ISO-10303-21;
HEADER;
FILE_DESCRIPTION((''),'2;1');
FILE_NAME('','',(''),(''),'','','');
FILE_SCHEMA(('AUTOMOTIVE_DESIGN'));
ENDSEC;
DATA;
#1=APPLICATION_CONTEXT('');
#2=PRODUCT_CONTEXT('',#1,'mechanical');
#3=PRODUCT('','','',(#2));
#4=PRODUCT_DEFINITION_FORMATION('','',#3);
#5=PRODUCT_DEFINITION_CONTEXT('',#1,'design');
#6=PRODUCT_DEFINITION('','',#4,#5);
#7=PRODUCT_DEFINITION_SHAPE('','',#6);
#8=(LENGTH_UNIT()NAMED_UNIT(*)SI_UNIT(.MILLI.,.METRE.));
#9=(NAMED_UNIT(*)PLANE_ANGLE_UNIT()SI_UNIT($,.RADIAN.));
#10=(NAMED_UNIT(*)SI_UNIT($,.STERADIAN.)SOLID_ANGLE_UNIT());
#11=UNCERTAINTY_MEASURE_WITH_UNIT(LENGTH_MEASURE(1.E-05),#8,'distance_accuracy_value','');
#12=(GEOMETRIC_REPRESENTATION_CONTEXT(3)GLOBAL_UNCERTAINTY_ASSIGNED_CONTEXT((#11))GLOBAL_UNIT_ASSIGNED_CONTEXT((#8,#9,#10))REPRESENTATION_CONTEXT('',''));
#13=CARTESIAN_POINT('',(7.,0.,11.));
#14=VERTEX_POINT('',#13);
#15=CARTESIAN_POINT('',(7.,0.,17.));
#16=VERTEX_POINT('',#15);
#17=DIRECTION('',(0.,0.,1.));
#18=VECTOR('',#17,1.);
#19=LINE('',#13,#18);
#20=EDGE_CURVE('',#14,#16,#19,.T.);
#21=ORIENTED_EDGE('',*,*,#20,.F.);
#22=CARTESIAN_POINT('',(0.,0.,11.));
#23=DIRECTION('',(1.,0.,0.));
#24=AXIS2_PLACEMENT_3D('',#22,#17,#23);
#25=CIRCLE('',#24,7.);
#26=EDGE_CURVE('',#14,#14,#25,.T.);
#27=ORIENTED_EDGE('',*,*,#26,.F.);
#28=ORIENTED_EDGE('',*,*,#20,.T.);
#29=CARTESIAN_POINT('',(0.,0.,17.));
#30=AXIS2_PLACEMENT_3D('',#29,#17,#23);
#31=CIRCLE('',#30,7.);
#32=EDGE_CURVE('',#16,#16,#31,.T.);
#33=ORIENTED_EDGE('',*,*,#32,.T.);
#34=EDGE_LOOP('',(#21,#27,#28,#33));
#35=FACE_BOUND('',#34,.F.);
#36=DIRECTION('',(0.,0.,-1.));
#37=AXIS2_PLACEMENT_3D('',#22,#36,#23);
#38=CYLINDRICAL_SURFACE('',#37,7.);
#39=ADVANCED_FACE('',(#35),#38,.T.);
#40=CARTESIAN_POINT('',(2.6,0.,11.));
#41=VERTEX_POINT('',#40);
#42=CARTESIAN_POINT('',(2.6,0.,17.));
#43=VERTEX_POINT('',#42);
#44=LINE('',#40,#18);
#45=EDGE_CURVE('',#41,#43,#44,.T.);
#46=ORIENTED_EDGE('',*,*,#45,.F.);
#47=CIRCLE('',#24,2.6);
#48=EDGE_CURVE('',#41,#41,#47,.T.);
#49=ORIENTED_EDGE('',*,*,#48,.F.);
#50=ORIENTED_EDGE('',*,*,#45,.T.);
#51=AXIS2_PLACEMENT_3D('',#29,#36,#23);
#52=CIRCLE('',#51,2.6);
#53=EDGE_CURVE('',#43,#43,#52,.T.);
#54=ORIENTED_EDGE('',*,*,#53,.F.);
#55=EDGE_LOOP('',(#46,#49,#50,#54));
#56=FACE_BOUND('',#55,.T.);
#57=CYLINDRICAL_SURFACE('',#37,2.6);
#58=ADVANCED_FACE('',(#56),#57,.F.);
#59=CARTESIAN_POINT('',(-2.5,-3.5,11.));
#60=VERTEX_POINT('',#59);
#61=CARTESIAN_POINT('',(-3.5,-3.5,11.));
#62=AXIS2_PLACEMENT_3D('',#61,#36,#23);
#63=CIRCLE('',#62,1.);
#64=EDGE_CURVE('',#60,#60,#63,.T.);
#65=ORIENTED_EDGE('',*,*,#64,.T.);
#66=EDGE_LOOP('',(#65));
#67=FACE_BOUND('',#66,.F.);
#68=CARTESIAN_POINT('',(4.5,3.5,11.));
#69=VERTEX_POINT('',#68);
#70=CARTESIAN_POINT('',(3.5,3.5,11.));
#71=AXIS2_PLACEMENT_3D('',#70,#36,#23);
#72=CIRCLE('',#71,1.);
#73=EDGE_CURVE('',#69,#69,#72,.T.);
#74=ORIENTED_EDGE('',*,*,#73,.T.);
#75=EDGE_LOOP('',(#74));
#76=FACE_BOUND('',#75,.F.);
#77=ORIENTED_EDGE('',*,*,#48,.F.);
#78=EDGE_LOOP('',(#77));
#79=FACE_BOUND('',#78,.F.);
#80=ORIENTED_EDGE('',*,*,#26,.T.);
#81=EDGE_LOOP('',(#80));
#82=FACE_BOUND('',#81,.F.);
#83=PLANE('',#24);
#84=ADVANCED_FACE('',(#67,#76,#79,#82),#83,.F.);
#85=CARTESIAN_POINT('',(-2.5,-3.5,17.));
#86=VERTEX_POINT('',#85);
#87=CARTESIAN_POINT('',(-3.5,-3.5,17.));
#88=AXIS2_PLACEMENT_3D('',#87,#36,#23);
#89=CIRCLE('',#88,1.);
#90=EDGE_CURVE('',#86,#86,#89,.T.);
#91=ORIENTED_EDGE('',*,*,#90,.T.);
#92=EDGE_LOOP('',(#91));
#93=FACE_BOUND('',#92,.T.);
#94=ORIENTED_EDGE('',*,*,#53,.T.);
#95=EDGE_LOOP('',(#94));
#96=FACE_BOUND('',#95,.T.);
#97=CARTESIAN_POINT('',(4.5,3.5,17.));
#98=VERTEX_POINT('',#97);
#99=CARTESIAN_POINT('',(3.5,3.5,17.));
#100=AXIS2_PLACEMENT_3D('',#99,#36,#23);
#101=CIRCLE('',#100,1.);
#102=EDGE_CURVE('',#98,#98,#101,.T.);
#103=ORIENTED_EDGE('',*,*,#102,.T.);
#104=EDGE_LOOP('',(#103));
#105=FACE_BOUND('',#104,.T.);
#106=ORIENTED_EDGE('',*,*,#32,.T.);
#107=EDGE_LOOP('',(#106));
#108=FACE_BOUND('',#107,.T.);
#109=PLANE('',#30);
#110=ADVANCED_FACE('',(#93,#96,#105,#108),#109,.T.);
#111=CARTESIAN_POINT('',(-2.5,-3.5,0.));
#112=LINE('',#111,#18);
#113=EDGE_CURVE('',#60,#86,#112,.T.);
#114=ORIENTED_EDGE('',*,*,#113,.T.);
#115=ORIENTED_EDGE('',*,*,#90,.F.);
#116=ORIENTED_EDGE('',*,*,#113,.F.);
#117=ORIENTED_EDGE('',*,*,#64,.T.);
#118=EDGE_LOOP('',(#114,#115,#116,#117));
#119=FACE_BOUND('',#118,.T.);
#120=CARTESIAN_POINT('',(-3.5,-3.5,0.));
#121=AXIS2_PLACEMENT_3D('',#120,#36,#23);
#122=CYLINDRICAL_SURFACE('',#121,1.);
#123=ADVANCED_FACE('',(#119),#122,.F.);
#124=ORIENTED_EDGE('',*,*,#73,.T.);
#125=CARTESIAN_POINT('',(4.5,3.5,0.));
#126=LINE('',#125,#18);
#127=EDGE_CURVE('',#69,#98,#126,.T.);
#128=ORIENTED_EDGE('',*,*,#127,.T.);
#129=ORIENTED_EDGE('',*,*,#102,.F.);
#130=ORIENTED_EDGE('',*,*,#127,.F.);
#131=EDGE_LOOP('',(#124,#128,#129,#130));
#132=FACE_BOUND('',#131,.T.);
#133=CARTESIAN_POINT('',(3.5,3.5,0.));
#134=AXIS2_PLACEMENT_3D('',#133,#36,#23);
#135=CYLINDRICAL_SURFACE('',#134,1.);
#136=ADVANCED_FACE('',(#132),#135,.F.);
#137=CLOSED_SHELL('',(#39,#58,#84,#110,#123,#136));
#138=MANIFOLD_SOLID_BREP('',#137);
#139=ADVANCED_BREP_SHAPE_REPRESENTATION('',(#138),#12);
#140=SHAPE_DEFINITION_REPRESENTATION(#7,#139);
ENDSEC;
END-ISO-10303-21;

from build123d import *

# Parameters (mm, degrees)
CYLINDER062_R     = 1
CYLINDER062_DEPTH = 20
CYLINDER063_R     = 1
CYLINDER063_DEPTH = 20
CYLINDER067_R     = 2.6
CYLINDER067_DEPTH = 12
CYLINDER068_R     = 7
CYLINDER068_DEPTH = 6


with BuildPart() as v_lec062:
    # Cylinder062 → Cylinder062 (new body)
    with BuildSketch(Plane(origin=(-3.5, -3.5, 0), x_dir=(1, 0, 0), z_dir=(0, 0, 1))):
        Circle(CYLINDER062_R)
    extrude(amount=CYLINDER062_DEPTH)


with BuildPart() as compound034:
    # Cylinder063 → Cylinder063 (new body)
    with BuildSketch(Plane(origin=(3.5, 3.5, 0), x_dir=(1, 0, 0), z_dir=(0, 0, 1))):
        Circle(CYLINDER063_R)
    extrude(amount=CYLINDER063_DEPTH)

    # Compound034: union Válec062
    add(v_lec062.part)


with BuildPart() as v_lec067:
    # Cylinder067 → Cylinder067 (new body)
    with BuildSketch(Plane.XY.offset(13)):
        Circle(CYLINDER067_R)
    extrude(amount=CYLINDER067_DEPTH)


with BuildPart() as cut037:
    # Cylinder068 → Cylinder068 (new body)
    with BuildSketch(Plane.XY.offset(13)):
        Circle(CYLINDER068_R)
    extrude(amount=CYLINDER068_DEPTH)

    # Cut036: cut Válec067
    add(v_lec067.part, mode=Mode.SUBTRACT)


with BuildPart() as cut037_1:
    # Cut036 placement: moved
    add(cut037.part.moved(Location((0, 0, -2))))

    # Cut037: cut Compound034
    add(compound034.part, mode=Mode.SUBTRACT)


solid = cut037_1.part
